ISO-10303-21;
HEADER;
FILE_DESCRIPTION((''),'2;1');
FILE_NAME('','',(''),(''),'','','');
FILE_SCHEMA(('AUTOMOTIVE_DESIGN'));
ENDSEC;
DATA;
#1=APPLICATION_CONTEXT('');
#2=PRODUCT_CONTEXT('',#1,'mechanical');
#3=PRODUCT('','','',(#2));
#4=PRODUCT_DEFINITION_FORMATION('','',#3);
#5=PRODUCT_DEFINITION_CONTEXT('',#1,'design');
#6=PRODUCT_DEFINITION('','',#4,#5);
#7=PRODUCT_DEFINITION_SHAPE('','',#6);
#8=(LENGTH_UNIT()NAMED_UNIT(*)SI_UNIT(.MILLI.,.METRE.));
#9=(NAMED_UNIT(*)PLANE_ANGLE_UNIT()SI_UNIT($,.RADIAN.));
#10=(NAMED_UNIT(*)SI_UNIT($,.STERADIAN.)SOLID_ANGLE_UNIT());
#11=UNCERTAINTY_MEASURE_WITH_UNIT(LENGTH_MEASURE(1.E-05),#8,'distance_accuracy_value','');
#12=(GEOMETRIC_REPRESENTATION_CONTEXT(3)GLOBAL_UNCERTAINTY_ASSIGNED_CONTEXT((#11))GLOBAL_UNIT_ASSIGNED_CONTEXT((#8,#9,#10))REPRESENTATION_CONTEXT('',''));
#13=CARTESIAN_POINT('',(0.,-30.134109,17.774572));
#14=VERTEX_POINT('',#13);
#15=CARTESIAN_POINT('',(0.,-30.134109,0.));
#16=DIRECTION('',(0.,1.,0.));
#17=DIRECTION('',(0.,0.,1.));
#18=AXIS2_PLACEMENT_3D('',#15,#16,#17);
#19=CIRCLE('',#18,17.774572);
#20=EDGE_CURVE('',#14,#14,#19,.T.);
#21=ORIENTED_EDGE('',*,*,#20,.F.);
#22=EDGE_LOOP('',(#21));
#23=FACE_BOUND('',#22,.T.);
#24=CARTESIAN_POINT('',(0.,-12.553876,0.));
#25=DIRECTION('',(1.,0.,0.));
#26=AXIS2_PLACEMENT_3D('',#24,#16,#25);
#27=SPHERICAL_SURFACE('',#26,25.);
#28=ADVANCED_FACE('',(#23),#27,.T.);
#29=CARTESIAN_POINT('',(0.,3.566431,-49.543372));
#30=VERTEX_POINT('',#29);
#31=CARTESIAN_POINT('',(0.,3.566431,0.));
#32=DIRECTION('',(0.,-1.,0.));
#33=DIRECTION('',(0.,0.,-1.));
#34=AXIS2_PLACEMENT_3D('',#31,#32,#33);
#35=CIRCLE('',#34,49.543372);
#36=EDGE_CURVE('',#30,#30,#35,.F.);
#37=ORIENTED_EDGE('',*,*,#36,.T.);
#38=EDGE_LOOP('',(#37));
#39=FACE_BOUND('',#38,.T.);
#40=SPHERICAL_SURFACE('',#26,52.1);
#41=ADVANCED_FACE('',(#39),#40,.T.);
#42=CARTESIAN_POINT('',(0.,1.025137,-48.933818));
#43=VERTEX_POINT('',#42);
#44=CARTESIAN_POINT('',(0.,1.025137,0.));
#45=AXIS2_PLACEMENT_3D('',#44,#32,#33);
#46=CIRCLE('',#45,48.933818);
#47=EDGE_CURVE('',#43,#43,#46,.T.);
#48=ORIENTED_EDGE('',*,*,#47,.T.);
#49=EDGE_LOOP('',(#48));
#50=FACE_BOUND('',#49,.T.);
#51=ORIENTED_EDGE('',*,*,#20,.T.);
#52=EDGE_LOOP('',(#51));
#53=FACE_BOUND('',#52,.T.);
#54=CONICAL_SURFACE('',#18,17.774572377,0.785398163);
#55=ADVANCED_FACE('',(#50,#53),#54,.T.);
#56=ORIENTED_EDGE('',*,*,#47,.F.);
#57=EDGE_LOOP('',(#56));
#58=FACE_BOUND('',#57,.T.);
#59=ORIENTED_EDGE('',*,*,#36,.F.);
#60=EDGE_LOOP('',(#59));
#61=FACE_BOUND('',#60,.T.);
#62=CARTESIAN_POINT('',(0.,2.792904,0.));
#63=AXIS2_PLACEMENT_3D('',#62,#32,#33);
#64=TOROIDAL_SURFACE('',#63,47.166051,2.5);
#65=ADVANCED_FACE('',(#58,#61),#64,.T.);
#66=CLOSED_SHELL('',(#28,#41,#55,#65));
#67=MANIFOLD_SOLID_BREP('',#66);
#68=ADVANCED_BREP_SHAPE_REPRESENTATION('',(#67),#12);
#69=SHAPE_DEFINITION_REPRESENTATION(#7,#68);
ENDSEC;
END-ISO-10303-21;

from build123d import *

# Parameters (mm, degrees)
FILLET1_R = 2.5


with BuildPart() as part:
    # Sketch3 → Revolve3 (revolve)
    with BuildSketch(Plane.XY):
        with BuildLine():
            Line((0, 39.546124031), (0, -37.553875969))
            ThreePointArc((0, -37.553875969), (9.630529218, -35.624482961), (17.774572377, -30.134108527))
            Line((17.774572377, -30.134108527), (49.999445132, 2.090764227))
            ThreePointArc((49.999445132, 2.090764227), (31.236391003, 29.143820336), (0, 39.546124031))
        make_face()
    revolve(axis=Axis((0, 39.546124031, 0), (0, -1, 0)))

    # Fillet1
    fillet1_edges = [part.edges().sort_by_distance(p)[0] for p in [
        (-49.999445132, 2.090764227, 0),
    ]]
    fillet(fillet1_edges, radius=FILLET1_R)


solid = part.part
